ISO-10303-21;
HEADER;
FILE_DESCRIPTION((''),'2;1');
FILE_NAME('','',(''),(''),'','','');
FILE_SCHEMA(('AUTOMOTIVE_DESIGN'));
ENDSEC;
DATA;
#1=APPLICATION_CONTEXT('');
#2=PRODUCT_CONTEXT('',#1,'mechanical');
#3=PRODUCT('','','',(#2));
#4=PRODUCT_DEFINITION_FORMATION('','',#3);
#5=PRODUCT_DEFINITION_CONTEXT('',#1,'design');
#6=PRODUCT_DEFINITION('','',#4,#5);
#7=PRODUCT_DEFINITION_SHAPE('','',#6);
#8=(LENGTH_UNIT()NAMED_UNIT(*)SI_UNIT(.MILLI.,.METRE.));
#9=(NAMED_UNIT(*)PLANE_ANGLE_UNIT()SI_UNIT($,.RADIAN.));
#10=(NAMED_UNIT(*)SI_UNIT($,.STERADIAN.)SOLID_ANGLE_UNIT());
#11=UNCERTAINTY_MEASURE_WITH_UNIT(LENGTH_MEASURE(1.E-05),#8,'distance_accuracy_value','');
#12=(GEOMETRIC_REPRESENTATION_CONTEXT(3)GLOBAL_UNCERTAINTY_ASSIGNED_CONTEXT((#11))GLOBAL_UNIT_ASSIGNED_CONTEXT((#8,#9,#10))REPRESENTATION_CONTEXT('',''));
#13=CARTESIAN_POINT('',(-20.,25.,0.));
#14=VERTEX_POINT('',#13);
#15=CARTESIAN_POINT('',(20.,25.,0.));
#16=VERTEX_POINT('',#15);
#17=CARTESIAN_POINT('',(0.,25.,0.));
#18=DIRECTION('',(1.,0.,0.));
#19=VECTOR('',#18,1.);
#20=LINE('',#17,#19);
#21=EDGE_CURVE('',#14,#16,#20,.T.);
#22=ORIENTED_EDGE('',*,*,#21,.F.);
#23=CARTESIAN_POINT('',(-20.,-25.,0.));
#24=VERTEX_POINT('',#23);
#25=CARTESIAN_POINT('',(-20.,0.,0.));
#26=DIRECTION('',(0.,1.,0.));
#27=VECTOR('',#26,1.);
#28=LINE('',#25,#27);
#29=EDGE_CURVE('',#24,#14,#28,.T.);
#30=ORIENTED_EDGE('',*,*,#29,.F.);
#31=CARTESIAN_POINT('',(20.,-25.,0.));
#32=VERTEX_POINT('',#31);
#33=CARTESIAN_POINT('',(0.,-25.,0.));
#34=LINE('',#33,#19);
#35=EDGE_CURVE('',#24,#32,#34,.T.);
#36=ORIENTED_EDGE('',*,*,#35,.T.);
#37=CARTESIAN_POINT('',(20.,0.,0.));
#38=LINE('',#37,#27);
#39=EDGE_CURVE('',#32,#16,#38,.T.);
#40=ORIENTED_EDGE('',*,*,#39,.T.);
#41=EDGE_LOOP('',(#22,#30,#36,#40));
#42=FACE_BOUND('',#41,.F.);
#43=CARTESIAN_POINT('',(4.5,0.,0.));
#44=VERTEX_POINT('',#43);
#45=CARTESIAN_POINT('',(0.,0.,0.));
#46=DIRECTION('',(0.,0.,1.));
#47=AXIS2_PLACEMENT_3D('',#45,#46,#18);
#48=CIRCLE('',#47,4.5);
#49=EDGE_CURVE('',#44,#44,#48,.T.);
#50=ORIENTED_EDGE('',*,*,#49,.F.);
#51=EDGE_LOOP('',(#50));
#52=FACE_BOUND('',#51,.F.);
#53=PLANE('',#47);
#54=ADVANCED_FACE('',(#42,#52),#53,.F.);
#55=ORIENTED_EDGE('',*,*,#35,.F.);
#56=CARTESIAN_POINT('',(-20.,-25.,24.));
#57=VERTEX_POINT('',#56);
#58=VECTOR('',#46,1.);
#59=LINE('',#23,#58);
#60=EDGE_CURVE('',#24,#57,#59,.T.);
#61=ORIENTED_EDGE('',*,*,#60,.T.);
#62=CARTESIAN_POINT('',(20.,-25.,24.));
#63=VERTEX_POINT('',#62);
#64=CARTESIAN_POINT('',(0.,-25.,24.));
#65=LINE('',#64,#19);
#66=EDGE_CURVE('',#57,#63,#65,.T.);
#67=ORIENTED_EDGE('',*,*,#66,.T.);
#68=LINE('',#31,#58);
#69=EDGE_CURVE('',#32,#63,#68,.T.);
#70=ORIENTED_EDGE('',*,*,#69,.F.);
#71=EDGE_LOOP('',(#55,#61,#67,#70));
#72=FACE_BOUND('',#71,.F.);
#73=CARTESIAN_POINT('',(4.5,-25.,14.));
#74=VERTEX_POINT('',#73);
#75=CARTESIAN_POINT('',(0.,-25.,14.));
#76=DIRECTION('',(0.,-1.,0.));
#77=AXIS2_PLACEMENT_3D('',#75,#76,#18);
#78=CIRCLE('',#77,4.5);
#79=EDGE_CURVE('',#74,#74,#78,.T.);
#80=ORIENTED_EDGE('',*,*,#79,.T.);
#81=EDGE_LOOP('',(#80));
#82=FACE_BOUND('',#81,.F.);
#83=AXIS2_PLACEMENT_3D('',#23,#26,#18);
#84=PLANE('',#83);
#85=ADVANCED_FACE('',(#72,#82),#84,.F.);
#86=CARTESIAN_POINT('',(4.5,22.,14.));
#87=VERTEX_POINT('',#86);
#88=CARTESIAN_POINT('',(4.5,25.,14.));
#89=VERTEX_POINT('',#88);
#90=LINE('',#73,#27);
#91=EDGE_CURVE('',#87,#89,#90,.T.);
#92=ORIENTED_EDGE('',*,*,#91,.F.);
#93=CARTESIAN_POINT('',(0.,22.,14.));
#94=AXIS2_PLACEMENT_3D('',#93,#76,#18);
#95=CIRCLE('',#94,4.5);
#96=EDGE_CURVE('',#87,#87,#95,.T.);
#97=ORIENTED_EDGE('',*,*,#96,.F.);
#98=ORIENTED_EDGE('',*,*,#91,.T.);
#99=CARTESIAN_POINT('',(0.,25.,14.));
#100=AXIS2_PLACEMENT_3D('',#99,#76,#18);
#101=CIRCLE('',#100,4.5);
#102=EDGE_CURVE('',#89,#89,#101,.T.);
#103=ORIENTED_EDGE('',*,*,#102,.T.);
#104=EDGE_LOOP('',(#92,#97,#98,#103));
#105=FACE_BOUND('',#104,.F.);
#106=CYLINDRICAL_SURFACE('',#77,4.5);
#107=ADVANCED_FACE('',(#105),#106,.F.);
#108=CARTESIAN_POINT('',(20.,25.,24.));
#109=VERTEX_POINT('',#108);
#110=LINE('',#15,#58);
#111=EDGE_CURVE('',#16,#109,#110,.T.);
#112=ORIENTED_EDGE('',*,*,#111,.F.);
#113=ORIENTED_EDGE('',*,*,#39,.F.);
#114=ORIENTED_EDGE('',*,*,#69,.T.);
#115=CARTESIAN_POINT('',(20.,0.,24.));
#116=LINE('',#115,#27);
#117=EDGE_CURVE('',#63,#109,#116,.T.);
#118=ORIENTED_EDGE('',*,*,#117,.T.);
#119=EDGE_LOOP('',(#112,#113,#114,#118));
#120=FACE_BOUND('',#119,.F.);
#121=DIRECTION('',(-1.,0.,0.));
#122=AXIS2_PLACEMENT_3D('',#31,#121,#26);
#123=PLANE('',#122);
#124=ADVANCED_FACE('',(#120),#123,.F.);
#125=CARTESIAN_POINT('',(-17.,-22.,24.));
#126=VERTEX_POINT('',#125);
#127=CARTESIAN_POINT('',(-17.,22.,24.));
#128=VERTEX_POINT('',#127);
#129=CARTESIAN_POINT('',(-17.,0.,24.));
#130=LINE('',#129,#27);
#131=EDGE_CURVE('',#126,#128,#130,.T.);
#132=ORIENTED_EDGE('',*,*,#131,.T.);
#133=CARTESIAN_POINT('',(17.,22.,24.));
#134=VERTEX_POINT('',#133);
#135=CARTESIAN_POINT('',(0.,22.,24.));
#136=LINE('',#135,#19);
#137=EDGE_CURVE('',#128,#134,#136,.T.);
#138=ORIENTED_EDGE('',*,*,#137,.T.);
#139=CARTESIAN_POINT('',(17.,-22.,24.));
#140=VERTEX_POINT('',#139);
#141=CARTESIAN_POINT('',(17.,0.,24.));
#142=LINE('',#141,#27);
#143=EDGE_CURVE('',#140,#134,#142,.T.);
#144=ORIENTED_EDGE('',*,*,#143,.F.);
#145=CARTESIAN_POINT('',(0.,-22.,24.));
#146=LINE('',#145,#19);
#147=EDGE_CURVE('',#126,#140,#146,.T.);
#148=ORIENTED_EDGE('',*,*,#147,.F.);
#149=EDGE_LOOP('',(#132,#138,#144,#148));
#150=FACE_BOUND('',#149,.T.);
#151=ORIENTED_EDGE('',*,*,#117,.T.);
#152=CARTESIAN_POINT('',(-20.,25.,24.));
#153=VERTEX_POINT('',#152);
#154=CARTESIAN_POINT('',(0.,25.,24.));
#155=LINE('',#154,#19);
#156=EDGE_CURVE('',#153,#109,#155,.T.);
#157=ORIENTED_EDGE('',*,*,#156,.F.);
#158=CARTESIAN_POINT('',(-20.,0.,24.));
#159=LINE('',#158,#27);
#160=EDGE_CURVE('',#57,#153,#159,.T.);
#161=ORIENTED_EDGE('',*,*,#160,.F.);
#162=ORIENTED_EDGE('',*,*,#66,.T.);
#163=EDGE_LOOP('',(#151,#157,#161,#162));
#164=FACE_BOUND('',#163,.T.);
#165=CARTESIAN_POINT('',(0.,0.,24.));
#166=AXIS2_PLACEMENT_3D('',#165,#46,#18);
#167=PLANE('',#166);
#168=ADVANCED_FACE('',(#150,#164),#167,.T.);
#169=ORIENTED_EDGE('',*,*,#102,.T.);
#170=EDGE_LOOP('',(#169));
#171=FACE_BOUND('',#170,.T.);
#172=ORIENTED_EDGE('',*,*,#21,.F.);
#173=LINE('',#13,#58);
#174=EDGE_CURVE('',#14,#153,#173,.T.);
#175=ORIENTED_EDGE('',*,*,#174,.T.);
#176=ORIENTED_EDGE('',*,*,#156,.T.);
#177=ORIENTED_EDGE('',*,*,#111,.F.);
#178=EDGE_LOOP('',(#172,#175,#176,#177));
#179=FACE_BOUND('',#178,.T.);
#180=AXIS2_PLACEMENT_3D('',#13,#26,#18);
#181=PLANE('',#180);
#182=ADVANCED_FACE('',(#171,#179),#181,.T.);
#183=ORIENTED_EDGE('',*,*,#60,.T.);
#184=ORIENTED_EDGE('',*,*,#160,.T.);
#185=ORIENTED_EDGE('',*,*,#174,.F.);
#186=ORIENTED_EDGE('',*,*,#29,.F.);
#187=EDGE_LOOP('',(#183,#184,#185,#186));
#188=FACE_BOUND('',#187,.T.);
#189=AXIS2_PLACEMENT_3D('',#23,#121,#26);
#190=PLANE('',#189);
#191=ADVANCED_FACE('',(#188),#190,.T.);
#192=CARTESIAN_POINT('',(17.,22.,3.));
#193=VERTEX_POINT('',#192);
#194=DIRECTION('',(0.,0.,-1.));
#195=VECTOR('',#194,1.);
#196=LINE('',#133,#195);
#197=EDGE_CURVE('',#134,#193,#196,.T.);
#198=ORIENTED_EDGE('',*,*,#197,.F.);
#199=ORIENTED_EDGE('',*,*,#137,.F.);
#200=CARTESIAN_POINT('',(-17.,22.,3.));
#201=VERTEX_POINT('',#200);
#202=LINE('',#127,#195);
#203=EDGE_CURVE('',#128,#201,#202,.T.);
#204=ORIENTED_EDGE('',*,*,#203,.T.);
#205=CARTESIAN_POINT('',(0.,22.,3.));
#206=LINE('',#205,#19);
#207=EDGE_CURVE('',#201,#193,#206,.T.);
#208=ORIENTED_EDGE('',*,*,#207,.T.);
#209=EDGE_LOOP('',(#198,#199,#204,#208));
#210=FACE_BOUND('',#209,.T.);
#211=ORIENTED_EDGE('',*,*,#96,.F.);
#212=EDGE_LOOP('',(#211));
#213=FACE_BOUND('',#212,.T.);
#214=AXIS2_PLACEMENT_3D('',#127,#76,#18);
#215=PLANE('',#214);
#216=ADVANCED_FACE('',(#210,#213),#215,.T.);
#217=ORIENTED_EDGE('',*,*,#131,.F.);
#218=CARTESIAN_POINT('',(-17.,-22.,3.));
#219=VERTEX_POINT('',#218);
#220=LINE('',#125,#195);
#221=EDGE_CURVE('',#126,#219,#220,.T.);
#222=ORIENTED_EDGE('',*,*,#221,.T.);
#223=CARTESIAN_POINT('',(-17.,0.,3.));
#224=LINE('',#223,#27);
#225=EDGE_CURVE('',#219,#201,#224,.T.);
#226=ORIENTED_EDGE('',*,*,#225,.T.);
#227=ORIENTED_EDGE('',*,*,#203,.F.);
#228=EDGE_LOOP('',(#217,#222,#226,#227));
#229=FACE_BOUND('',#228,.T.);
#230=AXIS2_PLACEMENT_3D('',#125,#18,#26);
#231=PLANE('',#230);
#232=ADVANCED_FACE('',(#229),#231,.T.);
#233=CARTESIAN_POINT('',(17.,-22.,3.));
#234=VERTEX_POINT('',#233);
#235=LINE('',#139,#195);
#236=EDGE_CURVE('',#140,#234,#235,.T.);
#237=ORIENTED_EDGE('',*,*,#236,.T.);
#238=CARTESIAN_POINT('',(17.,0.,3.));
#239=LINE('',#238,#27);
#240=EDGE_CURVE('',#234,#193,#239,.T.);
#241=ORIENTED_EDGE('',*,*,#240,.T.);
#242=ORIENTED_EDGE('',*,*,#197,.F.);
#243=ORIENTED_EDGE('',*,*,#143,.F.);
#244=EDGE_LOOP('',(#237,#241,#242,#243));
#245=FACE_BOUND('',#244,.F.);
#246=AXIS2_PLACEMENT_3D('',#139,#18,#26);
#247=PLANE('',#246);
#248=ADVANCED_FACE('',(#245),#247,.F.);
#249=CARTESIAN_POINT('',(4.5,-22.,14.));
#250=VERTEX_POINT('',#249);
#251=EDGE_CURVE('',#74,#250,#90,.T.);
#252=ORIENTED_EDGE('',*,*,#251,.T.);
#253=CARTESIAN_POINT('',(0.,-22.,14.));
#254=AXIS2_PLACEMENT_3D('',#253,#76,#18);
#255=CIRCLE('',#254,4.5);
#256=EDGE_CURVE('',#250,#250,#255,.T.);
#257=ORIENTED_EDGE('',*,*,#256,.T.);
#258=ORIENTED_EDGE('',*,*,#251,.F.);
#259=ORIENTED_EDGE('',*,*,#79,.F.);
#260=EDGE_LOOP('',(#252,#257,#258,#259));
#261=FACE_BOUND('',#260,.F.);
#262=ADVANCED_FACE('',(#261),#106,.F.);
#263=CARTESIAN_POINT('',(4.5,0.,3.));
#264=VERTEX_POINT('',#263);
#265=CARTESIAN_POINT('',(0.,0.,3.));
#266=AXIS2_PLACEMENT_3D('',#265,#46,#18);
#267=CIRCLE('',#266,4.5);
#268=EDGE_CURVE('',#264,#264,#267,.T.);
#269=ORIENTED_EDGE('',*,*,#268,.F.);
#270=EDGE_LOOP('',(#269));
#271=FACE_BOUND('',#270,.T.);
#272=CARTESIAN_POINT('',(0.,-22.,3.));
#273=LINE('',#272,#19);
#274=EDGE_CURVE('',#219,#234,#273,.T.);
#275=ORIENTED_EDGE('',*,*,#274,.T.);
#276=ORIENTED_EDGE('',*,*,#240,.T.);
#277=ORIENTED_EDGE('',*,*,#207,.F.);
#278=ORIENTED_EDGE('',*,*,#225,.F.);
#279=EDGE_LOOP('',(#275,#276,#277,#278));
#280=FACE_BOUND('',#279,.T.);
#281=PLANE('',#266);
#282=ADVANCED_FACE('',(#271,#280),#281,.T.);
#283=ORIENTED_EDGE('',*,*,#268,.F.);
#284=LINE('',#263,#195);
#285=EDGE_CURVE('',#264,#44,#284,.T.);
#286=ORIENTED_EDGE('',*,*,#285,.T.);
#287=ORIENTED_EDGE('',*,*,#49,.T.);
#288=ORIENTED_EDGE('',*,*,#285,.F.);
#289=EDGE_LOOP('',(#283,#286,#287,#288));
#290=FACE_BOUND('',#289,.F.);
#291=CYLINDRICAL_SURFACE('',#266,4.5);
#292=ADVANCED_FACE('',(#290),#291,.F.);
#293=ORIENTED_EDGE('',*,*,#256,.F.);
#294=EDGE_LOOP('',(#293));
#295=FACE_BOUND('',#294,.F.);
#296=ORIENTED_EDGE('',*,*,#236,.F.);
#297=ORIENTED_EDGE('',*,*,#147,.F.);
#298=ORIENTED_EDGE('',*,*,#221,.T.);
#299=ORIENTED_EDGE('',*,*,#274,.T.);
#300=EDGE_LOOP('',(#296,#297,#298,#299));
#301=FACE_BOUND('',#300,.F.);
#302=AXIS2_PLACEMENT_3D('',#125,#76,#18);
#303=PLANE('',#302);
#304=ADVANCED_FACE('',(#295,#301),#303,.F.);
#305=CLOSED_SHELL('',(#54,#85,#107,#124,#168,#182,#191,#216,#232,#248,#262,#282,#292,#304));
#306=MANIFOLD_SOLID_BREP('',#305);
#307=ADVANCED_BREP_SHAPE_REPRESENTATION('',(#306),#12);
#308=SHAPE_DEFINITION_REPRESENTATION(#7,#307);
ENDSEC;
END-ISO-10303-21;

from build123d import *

# Parameters (mm, degrees)
F0_W     = 40
F0_H     = 50
F1_DEPTH = 24
F2_W     = 34
F2_H     = 44
F3_DEPTH = 21
F4_R     = 4.5
F5_DEPTH = 50.001
F6_R     = 4.5
F7_DEPTH = 3.001


with BuildPart() as f1:
    # F0 (on Top) → F1 (new body)
    with BuildSketch(Plane.XY):
        Rectangle(F0_W, F0_H)
    extrude(amount=F1_DEPTH)

    # F2 (on face) → F3 (cut, through all)
    with BuildSketch(Plane.XY.offset(24)):
        Rectangle(F2_W, F2_H)
    extrude(amount=-F3_DEPTH, mode=Mode.SUBTRACT)

    # F4 (on face) → F5 (cut, through all)
    with BuildSketch(Plane.XZ.offset(25)):
        with Locations((0, 14)):
            Circle(F4_R)
    extrude(amount=-F5_DEPTH, mode=Mode.SUBTRACT)

    # F6 (on face) → F7 (cut, through all)
    with BuildSketch(Plane.XY.offset(3)):
        Circle(F6_R)
    extrude(amount=-F7_DEPTH, mode=Mode.SUBTRACT)


solid = f1.part
